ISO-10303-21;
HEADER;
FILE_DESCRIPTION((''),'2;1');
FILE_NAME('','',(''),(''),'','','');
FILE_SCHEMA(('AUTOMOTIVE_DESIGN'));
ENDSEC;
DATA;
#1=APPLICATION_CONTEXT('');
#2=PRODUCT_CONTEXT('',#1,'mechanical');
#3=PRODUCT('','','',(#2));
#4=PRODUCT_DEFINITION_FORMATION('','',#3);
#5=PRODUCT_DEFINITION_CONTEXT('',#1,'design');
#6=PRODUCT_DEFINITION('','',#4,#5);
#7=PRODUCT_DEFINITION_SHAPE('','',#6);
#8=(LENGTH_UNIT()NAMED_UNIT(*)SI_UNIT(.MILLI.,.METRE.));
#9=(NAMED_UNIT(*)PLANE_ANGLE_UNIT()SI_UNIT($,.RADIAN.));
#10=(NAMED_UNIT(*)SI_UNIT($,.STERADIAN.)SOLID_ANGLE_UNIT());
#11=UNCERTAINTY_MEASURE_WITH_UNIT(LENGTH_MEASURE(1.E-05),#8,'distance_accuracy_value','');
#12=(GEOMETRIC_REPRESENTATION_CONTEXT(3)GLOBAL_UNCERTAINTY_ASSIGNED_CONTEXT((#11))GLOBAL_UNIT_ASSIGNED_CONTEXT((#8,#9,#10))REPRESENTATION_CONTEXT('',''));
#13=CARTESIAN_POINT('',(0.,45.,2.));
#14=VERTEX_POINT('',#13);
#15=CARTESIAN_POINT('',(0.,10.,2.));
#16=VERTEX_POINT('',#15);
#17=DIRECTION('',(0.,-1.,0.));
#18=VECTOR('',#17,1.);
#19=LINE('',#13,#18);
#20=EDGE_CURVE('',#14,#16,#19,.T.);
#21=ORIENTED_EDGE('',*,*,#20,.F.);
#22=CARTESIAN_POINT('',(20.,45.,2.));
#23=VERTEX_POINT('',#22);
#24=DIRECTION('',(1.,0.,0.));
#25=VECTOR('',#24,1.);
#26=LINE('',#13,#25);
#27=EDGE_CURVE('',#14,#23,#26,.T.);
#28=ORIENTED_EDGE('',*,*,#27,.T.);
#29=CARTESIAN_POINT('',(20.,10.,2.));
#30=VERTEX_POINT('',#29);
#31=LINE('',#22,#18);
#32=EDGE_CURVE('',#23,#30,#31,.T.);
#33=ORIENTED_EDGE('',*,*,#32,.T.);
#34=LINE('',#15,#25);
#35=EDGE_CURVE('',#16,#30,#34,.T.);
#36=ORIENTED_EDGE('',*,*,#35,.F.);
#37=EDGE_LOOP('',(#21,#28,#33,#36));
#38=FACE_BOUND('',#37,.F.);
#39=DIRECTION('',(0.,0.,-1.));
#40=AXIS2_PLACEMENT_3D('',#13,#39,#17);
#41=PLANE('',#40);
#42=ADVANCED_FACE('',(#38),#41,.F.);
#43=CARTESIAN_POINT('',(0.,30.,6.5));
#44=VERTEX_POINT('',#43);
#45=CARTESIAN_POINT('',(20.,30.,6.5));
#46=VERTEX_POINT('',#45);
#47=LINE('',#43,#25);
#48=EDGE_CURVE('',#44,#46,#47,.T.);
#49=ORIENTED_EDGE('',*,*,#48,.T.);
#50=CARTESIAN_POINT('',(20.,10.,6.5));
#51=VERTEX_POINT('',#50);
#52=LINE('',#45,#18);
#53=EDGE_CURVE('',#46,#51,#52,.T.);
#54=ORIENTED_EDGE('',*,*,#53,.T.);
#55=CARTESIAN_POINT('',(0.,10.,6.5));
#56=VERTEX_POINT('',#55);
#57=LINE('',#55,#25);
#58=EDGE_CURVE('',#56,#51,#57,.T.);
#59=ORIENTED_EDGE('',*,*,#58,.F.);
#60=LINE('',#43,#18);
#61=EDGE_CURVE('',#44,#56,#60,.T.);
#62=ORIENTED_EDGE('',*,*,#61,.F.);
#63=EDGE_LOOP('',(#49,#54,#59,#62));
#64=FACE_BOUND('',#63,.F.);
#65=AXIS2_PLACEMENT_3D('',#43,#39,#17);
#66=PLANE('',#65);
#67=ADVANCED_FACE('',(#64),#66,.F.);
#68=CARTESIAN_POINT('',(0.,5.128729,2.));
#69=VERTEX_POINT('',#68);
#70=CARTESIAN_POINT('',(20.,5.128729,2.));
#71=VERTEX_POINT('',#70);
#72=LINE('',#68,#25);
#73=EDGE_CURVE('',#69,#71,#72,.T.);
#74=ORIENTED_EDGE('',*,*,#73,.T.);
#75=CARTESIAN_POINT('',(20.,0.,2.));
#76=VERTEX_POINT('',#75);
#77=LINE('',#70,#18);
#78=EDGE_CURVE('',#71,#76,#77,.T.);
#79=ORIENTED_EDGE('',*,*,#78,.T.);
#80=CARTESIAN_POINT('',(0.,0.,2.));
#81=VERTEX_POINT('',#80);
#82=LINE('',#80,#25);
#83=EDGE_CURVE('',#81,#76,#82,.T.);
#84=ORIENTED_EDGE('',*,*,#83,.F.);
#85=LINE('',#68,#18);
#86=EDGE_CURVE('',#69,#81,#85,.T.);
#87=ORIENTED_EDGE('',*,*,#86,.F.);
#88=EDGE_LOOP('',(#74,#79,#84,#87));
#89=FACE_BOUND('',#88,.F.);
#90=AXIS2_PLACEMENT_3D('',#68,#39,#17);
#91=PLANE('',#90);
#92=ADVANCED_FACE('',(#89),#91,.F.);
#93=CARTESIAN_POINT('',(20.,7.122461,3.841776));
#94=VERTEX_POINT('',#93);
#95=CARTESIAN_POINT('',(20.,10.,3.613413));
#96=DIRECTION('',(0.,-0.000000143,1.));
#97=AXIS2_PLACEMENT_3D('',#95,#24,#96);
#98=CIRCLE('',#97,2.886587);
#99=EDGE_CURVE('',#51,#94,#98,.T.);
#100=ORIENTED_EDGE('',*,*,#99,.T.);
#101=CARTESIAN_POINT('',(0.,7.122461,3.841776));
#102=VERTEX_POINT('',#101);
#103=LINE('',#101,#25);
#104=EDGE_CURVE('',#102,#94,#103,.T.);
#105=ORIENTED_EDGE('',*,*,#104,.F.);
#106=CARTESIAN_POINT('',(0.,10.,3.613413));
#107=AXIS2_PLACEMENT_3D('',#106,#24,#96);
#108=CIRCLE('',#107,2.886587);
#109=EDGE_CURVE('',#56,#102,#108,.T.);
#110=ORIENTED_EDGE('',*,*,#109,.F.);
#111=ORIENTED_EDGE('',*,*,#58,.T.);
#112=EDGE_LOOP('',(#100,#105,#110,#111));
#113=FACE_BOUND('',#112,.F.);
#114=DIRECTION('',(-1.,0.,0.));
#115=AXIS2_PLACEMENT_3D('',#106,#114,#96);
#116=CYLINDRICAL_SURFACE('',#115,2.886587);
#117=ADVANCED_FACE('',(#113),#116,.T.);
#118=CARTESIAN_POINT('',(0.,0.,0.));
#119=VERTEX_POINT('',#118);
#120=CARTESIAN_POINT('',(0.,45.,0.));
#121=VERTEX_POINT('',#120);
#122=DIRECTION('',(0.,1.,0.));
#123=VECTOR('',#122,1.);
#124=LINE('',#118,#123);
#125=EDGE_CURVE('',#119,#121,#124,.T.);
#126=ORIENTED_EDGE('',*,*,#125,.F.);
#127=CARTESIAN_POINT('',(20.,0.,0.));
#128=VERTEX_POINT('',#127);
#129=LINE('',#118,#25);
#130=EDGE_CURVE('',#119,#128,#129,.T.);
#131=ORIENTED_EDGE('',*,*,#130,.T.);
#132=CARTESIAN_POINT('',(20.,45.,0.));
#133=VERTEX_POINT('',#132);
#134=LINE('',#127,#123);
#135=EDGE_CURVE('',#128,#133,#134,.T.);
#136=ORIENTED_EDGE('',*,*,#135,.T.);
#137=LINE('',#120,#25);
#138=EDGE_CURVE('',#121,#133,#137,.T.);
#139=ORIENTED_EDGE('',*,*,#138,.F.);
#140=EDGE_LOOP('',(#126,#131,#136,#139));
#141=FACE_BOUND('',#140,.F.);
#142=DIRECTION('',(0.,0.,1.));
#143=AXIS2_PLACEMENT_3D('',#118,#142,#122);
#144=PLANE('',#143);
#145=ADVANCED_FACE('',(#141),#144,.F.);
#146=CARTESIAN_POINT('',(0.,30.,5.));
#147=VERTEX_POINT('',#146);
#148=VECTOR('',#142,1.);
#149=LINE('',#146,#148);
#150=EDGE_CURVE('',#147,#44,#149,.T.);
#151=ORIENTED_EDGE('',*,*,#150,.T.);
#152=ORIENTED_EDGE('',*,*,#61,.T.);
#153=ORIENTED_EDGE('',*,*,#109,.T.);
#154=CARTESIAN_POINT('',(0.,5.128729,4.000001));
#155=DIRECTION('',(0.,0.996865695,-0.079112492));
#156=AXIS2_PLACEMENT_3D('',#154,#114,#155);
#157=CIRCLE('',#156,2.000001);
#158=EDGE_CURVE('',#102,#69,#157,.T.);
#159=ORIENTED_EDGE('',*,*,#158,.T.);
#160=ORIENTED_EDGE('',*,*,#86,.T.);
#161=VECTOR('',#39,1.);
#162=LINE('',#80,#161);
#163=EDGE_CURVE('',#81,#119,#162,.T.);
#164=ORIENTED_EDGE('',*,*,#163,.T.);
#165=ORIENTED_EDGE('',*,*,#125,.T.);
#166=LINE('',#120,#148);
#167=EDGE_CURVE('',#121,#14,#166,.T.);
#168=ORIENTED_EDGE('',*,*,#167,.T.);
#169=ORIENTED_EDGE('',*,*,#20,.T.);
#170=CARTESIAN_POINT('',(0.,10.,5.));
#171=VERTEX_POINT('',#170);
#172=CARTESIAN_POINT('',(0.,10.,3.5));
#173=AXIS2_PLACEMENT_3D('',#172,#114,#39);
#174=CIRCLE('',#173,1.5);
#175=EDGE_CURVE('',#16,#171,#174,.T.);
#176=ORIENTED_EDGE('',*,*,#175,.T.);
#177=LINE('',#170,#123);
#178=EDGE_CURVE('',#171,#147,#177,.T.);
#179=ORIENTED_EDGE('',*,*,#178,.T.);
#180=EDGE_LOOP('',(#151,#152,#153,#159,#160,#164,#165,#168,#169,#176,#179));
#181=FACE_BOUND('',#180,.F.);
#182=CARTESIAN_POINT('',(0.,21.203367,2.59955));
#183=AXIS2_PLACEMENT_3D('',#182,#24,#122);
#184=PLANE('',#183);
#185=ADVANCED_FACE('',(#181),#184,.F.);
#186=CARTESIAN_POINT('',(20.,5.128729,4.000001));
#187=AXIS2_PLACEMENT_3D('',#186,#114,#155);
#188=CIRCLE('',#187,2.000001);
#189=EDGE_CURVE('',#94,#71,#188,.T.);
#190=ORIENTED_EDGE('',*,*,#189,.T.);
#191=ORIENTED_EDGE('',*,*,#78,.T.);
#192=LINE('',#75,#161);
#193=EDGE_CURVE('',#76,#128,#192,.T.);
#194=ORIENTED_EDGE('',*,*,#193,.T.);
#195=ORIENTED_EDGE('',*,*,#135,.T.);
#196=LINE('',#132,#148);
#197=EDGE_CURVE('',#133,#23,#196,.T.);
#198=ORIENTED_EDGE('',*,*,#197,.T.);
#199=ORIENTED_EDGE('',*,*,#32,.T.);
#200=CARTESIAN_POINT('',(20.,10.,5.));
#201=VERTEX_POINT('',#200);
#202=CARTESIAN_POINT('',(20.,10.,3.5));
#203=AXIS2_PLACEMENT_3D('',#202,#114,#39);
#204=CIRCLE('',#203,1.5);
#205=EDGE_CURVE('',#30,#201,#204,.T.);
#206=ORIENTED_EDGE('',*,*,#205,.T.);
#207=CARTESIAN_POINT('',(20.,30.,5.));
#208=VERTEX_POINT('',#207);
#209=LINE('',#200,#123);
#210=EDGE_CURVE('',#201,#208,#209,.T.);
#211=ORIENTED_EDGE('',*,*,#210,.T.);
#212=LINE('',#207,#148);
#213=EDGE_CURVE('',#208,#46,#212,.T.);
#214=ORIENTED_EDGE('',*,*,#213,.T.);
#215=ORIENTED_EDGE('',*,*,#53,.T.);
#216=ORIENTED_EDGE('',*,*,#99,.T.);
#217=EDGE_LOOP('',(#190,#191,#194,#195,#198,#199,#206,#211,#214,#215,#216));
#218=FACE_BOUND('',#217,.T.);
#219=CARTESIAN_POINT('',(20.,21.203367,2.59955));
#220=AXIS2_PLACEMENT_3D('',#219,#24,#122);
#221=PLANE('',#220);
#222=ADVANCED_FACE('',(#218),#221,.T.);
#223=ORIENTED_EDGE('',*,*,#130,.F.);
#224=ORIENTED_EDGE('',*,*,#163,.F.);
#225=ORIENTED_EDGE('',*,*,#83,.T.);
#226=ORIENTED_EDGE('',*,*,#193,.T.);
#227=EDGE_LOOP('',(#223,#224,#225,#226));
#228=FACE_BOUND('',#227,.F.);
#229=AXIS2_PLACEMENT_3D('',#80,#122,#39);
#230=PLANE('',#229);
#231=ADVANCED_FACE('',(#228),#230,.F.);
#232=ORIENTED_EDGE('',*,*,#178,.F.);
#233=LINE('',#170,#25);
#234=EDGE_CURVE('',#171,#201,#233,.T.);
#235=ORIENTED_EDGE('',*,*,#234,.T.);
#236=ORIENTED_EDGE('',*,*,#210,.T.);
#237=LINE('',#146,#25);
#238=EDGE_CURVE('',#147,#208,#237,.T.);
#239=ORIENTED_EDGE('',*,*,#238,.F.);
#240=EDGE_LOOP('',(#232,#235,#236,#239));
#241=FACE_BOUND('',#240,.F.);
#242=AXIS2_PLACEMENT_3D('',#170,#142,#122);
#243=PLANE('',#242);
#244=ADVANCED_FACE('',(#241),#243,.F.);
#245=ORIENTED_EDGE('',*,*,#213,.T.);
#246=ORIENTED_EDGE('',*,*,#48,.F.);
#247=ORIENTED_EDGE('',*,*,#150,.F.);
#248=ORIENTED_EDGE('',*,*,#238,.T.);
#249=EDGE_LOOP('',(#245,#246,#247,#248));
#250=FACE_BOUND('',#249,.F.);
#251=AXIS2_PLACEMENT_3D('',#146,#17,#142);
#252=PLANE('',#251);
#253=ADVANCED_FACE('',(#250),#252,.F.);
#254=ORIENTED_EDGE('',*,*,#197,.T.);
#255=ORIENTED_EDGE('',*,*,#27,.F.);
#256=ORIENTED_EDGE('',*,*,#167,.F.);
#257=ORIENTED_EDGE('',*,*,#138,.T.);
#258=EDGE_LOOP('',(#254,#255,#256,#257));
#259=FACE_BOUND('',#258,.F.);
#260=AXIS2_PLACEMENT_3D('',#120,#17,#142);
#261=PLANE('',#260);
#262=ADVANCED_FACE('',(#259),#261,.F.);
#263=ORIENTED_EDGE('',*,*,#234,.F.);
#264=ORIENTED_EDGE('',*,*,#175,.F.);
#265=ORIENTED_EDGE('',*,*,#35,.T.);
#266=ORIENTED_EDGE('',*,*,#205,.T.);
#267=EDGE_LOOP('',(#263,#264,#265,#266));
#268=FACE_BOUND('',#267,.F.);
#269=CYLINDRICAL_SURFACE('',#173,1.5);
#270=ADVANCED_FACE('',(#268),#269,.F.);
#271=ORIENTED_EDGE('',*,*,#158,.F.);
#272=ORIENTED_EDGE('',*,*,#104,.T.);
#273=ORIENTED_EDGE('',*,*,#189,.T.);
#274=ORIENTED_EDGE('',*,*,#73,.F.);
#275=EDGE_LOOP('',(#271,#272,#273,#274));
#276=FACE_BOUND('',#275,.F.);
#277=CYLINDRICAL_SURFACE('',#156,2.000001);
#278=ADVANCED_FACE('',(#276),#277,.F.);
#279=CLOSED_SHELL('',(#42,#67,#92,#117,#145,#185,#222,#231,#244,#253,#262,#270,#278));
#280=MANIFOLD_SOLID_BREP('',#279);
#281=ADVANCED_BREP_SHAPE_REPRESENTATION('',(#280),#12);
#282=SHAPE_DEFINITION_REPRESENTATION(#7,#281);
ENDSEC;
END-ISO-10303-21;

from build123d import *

# Parameters (mm, degrees)
F1_DEPTH = 20


with BuildPart() as f1:
    # F0 (on Right) → F1 (new body)
    with BuildSketch(Plane.YZ):
        with BuildLine():
            Line((0, 2), (0, 0))
            Line((0, 0), (45, 0))
            Line((45, 0), (45, 2))
            Line((45, 2), (10, 2))
            ThreePointArc((10, 2), (8.5, 3.5), (10, 5))
            Line((10, 5), (30, 5))
            Line((30, 5), (30, 6.5))
            Line((30, 6.5), (10, 6.5))
            ThreePointArc((10, 6.5), (8.041277, 5.73374), (7.122461, 3.841776))
            ThreePointArc((7.122461, 3.841776), (6.48585, 2.530911), (5.128729, 2))
            Line((5.128729, 2), (0, 2))
        make_face()
    extrude(amount=F1_DEPTH)


solid = f1.part
